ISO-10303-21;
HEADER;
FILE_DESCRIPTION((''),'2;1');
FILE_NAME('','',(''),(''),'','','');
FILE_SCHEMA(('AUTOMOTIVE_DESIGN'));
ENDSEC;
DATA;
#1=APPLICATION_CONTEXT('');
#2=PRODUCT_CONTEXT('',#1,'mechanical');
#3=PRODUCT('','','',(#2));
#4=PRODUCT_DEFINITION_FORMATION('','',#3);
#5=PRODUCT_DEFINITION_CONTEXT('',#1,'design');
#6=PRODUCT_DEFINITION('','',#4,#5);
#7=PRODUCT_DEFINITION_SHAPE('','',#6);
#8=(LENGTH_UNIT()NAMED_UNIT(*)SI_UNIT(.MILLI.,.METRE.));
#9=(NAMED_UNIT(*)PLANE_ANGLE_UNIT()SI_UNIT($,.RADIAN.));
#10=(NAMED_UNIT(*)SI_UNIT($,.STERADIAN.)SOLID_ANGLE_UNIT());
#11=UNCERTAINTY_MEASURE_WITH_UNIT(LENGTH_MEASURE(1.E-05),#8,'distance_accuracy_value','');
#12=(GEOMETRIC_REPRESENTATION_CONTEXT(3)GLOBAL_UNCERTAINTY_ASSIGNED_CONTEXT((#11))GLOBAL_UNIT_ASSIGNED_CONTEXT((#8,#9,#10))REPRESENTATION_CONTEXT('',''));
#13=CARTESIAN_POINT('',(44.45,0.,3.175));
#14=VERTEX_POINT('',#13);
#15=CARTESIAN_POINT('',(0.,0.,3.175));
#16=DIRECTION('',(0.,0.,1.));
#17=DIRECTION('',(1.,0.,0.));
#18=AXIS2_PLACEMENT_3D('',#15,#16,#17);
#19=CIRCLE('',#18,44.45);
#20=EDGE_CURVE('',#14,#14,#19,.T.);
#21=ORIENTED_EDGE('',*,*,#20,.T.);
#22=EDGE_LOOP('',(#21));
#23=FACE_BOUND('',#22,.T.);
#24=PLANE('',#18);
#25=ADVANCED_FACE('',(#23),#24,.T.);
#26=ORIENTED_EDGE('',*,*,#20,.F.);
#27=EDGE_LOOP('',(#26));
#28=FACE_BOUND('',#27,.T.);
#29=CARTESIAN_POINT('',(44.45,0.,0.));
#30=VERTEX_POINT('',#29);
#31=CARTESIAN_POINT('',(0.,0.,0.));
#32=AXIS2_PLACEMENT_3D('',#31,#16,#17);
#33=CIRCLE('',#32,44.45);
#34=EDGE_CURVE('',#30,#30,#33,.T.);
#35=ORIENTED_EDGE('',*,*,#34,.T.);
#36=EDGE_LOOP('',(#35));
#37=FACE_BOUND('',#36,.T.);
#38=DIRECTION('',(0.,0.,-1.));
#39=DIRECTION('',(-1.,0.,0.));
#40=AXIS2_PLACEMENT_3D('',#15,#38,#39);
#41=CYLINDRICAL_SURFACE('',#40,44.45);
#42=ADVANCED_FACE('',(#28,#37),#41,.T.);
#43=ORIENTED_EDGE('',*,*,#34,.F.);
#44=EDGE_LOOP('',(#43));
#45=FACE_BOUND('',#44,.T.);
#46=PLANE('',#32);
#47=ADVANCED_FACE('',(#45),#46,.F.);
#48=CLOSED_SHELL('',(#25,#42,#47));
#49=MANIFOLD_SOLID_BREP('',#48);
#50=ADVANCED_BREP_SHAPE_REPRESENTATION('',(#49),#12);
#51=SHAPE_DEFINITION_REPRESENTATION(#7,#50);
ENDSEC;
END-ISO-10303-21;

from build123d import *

# Parameters (mm, degrees)
SKETCH1_R      = 44.45
EXTRUDE1_DEPTH = 3.175


with BuildPart() as part:
    # Sketch1 → Extrude1 (new body)
    with BuildSketch(Plane.XY):
        Circle(SKETCH1_R)
    extrude(amount=EXTRUDE1_DEPTH)


solid = part.part
